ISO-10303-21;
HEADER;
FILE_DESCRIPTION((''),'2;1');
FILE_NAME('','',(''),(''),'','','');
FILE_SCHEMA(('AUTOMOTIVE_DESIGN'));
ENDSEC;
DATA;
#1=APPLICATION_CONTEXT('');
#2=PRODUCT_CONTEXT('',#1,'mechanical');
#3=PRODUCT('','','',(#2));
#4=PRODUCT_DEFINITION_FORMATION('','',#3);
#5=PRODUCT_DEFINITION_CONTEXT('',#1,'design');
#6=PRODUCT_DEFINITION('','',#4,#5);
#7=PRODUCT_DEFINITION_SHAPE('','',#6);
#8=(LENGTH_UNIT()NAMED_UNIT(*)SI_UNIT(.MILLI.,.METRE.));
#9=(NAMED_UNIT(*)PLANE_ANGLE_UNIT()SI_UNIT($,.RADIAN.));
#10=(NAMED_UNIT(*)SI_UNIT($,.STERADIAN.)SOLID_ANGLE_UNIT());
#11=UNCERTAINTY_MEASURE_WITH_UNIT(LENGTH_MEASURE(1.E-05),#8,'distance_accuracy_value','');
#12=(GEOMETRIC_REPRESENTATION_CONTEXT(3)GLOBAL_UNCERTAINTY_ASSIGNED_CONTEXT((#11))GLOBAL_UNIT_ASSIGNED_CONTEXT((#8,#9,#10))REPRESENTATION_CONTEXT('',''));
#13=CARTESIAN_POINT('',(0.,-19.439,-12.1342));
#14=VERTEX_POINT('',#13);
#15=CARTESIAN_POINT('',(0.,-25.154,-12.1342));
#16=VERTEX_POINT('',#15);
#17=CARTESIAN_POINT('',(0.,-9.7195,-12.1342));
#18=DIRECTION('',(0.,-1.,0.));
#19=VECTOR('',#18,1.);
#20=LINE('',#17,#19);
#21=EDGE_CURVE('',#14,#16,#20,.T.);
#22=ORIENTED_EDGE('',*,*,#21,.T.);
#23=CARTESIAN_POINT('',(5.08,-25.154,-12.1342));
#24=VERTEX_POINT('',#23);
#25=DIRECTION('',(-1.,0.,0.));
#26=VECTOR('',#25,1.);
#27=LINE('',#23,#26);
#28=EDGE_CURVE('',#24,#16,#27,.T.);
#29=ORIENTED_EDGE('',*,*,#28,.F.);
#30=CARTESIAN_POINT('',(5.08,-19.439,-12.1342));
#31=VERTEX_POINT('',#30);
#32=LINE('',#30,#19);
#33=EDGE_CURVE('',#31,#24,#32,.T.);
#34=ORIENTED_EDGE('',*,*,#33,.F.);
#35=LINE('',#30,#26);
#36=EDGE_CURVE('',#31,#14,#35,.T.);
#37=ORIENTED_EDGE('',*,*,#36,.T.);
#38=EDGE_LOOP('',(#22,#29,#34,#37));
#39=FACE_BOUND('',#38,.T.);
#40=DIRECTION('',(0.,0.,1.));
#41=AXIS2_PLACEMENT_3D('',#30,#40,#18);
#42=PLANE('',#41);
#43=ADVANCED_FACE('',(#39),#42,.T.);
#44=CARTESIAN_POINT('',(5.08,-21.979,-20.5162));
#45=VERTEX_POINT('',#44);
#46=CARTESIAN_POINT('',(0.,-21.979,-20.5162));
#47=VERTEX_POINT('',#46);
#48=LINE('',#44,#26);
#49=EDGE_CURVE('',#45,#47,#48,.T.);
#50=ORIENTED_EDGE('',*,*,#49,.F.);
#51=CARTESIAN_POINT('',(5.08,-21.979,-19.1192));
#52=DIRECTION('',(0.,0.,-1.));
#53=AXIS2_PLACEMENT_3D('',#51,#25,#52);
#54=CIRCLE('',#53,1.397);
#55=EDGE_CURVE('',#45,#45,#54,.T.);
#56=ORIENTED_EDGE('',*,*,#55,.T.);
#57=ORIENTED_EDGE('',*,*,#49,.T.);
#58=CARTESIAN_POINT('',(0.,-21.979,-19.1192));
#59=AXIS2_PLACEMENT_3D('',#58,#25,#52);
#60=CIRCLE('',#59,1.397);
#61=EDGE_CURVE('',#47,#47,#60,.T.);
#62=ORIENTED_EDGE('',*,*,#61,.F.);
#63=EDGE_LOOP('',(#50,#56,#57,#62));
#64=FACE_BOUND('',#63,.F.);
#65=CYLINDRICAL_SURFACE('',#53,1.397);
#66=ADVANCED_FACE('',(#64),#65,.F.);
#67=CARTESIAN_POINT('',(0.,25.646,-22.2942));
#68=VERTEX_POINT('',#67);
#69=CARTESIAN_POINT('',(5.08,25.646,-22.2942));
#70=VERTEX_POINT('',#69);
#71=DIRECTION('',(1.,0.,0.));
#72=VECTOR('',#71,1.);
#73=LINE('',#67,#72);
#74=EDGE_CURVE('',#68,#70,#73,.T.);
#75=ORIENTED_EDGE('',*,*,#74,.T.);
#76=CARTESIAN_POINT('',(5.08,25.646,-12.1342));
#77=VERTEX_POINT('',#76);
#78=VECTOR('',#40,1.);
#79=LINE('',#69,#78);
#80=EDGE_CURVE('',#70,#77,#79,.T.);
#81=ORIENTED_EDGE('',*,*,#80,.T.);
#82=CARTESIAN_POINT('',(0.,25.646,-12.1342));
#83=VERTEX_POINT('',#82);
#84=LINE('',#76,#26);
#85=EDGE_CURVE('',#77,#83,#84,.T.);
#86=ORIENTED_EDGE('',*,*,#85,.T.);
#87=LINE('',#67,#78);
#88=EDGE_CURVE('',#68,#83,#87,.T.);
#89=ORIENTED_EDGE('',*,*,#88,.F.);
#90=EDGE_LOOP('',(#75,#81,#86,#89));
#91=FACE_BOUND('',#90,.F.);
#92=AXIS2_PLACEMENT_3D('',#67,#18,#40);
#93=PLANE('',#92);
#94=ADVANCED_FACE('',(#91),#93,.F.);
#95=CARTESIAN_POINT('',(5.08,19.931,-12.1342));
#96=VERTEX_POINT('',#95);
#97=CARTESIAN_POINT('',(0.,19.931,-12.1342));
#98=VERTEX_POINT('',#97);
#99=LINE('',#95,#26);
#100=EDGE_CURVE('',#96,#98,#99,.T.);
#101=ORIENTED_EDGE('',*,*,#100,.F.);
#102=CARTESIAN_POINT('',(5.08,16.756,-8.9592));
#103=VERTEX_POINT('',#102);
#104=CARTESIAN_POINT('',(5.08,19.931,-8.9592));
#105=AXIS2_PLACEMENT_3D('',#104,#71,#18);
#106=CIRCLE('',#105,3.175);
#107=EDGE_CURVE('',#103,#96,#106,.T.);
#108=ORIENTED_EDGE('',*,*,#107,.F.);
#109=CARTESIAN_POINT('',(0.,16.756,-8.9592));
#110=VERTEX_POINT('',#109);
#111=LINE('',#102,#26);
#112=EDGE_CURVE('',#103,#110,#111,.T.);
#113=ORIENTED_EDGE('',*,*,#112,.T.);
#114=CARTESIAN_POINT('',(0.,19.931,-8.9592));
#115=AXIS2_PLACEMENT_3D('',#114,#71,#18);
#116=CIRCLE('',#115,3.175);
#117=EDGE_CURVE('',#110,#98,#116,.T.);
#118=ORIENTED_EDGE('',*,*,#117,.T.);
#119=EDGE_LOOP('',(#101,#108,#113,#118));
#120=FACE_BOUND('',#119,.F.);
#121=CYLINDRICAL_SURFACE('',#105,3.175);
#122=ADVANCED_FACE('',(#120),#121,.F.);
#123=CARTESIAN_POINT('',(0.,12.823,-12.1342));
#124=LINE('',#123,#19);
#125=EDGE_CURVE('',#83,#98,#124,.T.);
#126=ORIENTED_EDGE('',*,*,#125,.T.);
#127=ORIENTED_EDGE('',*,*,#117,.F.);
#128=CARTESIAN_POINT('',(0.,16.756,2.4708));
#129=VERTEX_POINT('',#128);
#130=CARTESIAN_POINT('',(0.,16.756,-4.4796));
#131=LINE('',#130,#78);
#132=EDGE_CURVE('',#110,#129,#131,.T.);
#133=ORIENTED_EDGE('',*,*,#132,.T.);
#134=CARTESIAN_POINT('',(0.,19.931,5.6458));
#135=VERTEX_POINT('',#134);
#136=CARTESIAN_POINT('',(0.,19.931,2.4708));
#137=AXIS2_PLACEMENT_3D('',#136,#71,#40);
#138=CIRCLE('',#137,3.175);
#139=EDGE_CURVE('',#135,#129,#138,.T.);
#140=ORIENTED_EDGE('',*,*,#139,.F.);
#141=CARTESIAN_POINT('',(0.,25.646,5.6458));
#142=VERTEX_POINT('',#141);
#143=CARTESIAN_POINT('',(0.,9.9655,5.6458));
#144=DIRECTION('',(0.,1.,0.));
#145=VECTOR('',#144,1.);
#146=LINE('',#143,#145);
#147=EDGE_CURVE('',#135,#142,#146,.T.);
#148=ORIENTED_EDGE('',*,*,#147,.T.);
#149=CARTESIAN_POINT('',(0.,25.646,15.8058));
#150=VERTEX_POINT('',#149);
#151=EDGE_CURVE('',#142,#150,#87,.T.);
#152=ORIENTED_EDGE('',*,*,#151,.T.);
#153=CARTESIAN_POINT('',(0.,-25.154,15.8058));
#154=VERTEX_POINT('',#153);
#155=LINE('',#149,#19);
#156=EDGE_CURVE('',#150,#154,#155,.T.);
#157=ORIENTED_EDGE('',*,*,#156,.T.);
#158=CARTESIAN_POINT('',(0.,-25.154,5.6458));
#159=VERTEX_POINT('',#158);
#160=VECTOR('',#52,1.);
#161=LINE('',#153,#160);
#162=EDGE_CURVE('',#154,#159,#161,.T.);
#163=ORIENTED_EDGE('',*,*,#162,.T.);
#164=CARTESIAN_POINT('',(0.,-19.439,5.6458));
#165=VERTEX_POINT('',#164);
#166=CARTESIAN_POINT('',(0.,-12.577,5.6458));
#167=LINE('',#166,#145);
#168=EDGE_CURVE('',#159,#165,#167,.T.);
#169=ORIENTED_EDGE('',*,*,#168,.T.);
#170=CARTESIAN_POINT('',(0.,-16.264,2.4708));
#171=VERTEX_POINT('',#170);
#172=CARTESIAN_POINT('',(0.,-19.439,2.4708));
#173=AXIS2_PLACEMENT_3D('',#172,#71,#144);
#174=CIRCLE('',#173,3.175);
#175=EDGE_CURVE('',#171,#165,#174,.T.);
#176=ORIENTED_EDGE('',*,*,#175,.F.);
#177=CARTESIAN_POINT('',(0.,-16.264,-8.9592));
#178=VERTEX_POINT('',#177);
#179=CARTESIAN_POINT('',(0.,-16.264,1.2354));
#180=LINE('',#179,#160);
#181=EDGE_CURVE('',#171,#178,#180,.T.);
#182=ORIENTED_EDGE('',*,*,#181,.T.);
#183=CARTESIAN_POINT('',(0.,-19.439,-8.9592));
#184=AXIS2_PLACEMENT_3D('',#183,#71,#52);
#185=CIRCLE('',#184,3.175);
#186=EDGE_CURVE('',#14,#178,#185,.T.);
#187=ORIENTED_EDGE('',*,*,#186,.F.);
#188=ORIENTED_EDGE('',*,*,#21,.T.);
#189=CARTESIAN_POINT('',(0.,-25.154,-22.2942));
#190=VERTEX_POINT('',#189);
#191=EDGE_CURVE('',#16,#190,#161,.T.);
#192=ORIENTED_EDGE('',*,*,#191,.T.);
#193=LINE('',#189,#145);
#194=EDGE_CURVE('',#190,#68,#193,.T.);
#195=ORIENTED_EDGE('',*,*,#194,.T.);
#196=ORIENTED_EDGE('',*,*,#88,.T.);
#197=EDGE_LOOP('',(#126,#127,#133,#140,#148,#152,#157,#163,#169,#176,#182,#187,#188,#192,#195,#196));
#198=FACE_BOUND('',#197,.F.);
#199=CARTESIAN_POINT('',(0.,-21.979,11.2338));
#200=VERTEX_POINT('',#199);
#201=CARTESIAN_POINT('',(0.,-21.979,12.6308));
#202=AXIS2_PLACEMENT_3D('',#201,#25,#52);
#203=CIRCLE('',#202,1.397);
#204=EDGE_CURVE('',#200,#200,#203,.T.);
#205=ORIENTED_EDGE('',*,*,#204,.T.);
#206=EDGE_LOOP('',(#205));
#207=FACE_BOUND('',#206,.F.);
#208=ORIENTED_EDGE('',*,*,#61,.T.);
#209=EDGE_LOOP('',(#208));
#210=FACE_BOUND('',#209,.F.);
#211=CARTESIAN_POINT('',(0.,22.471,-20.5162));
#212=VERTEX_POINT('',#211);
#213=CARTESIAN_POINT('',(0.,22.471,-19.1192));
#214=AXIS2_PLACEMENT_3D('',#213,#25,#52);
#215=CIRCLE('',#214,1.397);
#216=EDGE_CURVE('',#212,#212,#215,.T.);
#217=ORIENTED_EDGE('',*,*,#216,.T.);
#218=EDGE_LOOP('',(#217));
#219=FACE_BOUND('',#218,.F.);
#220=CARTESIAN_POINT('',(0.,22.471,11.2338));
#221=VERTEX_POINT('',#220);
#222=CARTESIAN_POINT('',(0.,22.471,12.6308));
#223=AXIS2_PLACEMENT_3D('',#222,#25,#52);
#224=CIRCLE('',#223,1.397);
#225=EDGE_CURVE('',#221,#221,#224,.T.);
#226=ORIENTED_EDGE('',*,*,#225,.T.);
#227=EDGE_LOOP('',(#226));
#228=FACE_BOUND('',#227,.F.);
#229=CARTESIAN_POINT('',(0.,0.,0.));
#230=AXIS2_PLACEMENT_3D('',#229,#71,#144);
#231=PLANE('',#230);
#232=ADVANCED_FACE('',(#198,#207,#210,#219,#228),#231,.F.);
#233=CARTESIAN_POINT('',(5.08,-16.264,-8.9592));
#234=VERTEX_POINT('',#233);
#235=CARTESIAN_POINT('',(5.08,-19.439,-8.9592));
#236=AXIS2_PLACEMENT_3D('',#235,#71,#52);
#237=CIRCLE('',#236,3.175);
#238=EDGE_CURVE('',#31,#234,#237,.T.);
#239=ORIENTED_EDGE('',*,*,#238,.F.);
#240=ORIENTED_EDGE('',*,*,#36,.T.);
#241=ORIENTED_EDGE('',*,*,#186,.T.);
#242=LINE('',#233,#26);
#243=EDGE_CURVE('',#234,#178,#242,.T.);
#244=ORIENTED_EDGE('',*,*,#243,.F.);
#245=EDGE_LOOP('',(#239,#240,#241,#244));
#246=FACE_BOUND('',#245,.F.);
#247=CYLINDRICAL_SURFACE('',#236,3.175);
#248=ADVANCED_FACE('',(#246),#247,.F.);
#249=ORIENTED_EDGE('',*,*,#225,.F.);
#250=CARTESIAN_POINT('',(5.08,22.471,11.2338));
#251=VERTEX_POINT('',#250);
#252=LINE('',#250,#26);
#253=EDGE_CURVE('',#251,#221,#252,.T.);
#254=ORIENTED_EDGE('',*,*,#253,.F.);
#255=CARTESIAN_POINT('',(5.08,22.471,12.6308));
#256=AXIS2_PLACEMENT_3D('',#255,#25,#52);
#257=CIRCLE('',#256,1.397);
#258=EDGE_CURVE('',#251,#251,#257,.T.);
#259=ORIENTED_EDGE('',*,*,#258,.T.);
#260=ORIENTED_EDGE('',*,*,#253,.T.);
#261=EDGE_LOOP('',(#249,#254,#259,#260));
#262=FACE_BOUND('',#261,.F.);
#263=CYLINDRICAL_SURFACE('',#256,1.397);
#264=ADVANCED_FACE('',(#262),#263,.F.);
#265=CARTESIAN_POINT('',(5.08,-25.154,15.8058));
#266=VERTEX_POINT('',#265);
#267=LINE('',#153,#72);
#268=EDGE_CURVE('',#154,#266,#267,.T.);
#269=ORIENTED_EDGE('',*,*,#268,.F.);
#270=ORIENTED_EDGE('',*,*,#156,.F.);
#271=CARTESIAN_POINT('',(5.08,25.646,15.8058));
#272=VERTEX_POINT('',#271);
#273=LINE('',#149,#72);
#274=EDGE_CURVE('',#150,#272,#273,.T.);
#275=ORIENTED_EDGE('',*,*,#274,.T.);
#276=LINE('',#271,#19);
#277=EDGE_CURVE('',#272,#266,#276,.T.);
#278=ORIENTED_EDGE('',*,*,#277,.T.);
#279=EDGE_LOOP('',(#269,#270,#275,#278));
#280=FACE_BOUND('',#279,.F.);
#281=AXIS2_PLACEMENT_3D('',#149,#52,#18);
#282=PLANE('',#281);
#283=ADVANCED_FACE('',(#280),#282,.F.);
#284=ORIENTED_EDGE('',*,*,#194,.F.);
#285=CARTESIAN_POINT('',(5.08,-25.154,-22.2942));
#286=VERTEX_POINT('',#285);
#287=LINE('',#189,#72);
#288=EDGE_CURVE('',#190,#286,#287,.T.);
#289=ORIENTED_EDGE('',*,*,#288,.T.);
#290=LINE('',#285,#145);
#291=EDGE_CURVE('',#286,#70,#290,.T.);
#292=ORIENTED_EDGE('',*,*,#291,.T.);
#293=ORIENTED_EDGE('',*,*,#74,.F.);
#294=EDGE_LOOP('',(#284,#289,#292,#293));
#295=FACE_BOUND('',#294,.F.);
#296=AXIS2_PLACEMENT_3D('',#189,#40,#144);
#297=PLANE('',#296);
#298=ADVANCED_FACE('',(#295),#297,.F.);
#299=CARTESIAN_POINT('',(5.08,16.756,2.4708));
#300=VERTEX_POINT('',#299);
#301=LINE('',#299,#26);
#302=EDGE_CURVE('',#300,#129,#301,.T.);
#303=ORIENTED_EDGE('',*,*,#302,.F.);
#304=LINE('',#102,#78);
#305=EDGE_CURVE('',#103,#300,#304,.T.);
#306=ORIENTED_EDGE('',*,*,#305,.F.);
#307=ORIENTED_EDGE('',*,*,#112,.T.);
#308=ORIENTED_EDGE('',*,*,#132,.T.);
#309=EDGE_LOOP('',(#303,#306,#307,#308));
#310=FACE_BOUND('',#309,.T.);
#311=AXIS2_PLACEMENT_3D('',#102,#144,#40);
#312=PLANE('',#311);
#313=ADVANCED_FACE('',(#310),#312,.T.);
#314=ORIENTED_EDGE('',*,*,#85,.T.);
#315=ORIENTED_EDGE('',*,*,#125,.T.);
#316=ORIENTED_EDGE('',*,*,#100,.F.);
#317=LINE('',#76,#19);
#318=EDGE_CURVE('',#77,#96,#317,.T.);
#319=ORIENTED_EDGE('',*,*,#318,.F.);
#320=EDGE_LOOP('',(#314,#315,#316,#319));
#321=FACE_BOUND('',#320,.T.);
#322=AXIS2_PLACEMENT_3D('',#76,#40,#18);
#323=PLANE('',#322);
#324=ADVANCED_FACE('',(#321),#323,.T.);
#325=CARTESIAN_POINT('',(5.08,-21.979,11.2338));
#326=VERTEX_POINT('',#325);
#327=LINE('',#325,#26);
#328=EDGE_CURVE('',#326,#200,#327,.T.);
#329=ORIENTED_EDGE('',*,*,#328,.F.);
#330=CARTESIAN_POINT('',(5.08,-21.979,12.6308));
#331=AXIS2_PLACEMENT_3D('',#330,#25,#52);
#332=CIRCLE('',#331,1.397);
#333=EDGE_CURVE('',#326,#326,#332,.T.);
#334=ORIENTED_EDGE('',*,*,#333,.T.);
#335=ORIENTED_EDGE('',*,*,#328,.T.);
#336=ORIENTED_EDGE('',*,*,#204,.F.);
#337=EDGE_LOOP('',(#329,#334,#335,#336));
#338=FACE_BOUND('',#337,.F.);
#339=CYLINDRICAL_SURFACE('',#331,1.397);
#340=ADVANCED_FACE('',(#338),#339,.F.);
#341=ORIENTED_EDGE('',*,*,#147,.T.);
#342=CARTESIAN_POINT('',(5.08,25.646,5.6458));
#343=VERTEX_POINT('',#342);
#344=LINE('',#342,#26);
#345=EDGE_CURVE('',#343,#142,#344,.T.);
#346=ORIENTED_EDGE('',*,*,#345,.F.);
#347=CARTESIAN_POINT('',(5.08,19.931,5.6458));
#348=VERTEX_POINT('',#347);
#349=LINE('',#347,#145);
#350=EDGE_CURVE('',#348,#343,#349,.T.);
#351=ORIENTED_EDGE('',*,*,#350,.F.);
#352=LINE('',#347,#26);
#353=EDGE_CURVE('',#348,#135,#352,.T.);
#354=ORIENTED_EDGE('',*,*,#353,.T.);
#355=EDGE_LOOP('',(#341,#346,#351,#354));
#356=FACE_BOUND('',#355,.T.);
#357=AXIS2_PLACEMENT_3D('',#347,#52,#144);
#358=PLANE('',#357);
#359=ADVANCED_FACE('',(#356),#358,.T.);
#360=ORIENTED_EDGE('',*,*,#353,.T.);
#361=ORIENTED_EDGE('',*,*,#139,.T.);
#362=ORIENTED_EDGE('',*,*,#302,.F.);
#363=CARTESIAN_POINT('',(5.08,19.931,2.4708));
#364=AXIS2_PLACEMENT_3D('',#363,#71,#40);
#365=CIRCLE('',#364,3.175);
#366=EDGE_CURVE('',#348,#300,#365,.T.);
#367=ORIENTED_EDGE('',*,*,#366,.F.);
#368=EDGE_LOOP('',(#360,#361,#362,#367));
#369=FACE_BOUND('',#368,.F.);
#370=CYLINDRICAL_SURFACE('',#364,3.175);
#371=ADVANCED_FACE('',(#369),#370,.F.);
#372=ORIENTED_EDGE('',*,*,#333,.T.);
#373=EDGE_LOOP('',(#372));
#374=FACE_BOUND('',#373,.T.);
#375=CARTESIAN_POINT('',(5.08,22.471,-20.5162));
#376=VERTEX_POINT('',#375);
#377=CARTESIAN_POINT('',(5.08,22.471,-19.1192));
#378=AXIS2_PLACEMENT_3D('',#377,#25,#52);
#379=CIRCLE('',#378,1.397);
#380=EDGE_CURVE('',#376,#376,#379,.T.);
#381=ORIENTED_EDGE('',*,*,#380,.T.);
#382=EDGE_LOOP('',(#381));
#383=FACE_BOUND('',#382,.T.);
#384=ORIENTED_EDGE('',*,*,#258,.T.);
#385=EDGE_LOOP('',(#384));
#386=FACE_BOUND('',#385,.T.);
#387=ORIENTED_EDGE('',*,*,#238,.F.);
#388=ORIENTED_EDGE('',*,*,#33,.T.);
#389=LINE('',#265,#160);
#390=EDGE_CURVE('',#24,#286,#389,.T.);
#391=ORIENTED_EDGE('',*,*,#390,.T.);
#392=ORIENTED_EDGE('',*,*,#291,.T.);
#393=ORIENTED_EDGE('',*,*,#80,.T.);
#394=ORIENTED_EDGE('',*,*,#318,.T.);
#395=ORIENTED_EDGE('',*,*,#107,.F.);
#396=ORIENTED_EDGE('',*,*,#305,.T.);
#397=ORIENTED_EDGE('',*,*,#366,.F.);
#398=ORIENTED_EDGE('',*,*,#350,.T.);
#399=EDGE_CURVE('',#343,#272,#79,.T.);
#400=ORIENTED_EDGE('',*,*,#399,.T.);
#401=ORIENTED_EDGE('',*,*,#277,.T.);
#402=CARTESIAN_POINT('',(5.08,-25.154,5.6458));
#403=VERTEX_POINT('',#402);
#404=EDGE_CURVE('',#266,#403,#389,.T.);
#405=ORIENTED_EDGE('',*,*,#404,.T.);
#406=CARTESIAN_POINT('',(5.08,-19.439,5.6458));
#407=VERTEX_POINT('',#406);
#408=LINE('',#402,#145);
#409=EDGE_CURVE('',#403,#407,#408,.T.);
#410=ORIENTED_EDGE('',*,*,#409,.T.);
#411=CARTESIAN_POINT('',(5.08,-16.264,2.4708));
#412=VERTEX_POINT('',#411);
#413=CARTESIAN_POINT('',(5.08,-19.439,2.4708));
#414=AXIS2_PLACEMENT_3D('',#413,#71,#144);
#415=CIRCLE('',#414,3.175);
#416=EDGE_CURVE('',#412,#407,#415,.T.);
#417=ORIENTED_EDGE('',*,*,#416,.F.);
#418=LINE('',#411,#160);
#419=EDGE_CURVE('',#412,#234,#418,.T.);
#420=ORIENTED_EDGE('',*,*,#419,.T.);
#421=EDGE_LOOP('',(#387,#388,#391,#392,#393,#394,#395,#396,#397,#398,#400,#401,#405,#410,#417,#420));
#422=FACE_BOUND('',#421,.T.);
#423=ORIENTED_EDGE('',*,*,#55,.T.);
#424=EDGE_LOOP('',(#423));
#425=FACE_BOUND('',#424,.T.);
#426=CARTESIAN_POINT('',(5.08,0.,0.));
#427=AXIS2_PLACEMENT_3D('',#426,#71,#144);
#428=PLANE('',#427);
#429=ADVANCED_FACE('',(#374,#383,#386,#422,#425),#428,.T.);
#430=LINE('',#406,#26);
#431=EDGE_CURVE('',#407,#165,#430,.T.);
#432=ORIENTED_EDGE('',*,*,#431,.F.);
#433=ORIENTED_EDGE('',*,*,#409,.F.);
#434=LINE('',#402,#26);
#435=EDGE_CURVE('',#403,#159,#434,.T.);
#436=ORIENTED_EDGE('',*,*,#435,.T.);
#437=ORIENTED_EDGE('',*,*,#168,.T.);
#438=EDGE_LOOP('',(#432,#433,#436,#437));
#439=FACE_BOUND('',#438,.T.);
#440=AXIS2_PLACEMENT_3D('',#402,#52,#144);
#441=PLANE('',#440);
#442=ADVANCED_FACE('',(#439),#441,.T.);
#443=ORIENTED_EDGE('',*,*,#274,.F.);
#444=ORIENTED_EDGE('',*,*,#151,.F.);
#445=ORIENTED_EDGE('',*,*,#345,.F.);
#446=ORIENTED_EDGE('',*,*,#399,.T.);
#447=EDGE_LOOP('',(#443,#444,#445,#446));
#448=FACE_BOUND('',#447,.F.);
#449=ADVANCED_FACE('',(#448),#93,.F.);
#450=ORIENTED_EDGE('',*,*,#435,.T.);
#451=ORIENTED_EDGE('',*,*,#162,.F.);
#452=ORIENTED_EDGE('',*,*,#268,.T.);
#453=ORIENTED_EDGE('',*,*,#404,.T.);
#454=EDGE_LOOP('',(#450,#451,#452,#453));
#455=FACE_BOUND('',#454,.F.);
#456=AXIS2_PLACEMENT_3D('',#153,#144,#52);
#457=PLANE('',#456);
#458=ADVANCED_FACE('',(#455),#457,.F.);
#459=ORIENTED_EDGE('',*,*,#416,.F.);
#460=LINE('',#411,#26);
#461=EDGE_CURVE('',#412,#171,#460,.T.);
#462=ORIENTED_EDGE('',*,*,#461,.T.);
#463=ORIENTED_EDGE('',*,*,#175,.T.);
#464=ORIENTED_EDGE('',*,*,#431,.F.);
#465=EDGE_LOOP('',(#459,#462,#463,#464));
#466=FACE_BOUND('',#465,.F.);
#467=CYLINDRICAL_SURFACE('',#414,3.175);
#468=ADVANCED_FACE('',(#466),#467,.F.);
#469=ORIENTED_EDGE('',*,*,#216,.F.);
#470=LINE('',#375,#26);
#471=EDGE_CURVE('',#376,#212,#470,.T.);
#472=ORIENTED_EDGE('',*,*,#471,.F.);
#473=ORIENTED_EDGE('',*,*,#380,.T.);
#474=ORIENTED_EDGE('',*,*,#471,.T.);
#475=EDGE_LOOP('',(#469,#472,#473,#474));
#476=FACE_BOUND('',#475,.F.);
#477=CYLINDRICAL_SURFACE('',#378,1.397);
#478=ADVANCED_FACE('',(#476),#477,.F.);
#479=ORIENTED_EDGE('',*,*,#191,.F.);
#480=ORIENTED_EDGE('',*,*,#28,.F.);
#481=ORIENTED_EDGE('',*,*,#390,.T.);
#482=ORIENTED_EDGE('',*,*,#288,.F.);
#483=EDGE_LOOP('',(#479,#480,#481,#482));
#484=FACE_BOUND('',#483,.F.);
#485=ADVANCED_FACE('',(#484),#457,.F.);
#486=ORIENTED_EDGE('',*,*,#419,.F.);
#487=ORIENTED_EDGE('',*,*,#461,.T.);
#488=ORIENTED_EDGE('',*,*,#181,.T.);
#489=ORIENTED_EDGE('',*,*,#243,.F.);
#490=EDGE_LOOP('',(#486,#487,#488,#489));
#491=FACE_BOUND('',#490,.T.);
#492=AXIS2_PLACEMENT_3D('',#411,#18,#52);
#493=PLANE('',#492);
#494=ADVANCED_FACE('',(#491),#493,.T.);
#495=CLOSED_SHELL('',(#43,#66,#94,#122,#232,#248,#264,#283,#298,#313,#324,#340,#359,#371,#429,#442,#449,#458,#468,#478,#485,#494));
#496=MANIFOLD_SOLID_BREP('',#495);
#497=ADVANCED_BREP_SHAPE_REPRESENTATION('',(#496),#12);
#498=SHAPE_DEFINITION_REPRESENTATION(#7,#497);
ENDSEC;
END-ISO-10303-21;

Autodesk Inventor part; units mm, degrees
ref_plane "YZ Plane" through (0, 0, 0) normal (1, 0, 0) x (0, 1, 0)
ref_plane "XZ Plane" through (0, 0, 0) normal (0, 1, 0) x (-1, 0, 0)
ref_plane "XY Plane" through (0, 0, 0) normal (0, 0, 1) x (1, 0, 0)
sketch "Sketch1" plane through (0, 0, 0) normal (1, 0, 0) x (0, 1, 0)
  line L0 (25.646, 15.8058) -> (-25.154, 15.8058)
  line L1 (-25.154, 15.8058) -> (-25.154, -22.2942)
  line L2 (-25.154, -22.2942) -> (25.646, -22.2942)
  line L3 (25.646, -22.2942) -> (25.646, 15.8058)
  point P0 (0, 0)
  dimension "d0" = 50.8
  dimension "d1" = 38.1
extrude "Extrusion1" add sketch "Sketch1" along normal blind 5.08
sketch "Sketch2" plane through (5.08, 0, 0) normal (1, 0, 0) x (0, 0, -1)
  line L0 (-15.8058, 25.646) -> (-15.8058, -25.154) projected
  line L1 (22.2942, -25.154) -> (22.2942, 25.646) projected
  line L2 (22.2942, 25.646) -> (-15.8058, 25.646) projected
  line L3 (-15.8058, -25.154) -> (22.2942, -25.154) projected
  point P0 (0, 0)
  point P1 (-12.6308, 22.471)
  point P2 (19.1192, 22.471)
  point P3 (19.1192, -21.979)
  point P4 (-12.6308, -21.979)
  dimension "d4" = 3.175
  dimension "d5" = 0
  dimension "d6" = 3.175
  dimension "d7" = 0
  dimension "d8" = 0
  dimension "d9" = 3.175
  dimension "d10" = 0
  dimension "d11" = 3.175
hole "Hole1" at (5.08, 22.471, 12.6308) at (5.08, 22.471, -19.1192) at (5.08, -21.979, -19.1192) at (5.08, -21.979, 12.6308) direction (-1, 0, 0) diameter 2.794 end through all clearance for "Flat Head Machine Screw (82)" size "#3" standard "Ansi Unified Screw Threads"
sketch "Sketch3" plane through (5.08, 0, 0) normal (1, 0, 0) x (0, 0, -1)
  line L0 (-5.6458, 25.646) -> (12.1342, 25.646)
  line L1 (12.1342, 25.646) -> (12.1342, 19.931)
  line L2 (8.9592, 16.756) -> (-2.4708, 16.756)
  line L3 (-5.6458, 19.931) -> (-5.6458, 25.646)
  line L4 (-2.4708, -16.264) -> (8.9592, -16.264)
  line L5 (12.1342, -19.439) -> (12.1342, -25.154)
  line L6 (12.1342, -25.154) -> (-5.6458, -25.154)
  line L7 (-5.6458, -25.154) -> (-5.6458, -19.439)
  line L8 (22.2942, 25.646) -> (-15.8058, 25.646) projected
  line L9 (-15.8058, -25.154) -> (22.2942, -25.154) projected
  line L10 (22.2942, -25.154) -> (22.2942, 25.646) projected
  line L11 (-15.8058, 25.646) -> (-15.8058, -25.154) projected
  arc A0 (-5.6458, 19.931) -> (-2.4708, 16.756) centre (-2.4708, 19.931) ccw
  arc A1 (8.9592, 16.756) -> (12.1342, 19.931) centre (8.9592, 19.931) ccw
  arc A2 (12.1342, -19.439) -> (8.9592, -16.264) centre (8.9592, -19.439) ccw
  arc A3 (-2.4708, -16.264) -> (-5.6458, -19.439) centre (-2.4708, -19.439) ccw
  point P0 (0, 0)
  point P1 (12.1342, 16.756)
  point P2 (-5.6458, 16.756)
  point P3 (-5.6458, -16.264)
  point P4 (12.1342, -16.264)
  dimension "d19" = 0
  dimension "d20" = 0
  dimension "d21" = 0
  dimension "d22" = 0
  dimension "d23" = 10.16
  dimension "d24" = 10.16
  dimension "d25" = 8.89
  dimension "d26" = 8.89
  dimension "d29" = 3.175
extrude "Extrusion2" cut sketch "Sketch3" against normal blind 20.6375 contours L0 L1 A1 L2 A0 L3 | L7 A3 L4 A2 L5 L6
properties part number "PowerPlugBlockBack"
